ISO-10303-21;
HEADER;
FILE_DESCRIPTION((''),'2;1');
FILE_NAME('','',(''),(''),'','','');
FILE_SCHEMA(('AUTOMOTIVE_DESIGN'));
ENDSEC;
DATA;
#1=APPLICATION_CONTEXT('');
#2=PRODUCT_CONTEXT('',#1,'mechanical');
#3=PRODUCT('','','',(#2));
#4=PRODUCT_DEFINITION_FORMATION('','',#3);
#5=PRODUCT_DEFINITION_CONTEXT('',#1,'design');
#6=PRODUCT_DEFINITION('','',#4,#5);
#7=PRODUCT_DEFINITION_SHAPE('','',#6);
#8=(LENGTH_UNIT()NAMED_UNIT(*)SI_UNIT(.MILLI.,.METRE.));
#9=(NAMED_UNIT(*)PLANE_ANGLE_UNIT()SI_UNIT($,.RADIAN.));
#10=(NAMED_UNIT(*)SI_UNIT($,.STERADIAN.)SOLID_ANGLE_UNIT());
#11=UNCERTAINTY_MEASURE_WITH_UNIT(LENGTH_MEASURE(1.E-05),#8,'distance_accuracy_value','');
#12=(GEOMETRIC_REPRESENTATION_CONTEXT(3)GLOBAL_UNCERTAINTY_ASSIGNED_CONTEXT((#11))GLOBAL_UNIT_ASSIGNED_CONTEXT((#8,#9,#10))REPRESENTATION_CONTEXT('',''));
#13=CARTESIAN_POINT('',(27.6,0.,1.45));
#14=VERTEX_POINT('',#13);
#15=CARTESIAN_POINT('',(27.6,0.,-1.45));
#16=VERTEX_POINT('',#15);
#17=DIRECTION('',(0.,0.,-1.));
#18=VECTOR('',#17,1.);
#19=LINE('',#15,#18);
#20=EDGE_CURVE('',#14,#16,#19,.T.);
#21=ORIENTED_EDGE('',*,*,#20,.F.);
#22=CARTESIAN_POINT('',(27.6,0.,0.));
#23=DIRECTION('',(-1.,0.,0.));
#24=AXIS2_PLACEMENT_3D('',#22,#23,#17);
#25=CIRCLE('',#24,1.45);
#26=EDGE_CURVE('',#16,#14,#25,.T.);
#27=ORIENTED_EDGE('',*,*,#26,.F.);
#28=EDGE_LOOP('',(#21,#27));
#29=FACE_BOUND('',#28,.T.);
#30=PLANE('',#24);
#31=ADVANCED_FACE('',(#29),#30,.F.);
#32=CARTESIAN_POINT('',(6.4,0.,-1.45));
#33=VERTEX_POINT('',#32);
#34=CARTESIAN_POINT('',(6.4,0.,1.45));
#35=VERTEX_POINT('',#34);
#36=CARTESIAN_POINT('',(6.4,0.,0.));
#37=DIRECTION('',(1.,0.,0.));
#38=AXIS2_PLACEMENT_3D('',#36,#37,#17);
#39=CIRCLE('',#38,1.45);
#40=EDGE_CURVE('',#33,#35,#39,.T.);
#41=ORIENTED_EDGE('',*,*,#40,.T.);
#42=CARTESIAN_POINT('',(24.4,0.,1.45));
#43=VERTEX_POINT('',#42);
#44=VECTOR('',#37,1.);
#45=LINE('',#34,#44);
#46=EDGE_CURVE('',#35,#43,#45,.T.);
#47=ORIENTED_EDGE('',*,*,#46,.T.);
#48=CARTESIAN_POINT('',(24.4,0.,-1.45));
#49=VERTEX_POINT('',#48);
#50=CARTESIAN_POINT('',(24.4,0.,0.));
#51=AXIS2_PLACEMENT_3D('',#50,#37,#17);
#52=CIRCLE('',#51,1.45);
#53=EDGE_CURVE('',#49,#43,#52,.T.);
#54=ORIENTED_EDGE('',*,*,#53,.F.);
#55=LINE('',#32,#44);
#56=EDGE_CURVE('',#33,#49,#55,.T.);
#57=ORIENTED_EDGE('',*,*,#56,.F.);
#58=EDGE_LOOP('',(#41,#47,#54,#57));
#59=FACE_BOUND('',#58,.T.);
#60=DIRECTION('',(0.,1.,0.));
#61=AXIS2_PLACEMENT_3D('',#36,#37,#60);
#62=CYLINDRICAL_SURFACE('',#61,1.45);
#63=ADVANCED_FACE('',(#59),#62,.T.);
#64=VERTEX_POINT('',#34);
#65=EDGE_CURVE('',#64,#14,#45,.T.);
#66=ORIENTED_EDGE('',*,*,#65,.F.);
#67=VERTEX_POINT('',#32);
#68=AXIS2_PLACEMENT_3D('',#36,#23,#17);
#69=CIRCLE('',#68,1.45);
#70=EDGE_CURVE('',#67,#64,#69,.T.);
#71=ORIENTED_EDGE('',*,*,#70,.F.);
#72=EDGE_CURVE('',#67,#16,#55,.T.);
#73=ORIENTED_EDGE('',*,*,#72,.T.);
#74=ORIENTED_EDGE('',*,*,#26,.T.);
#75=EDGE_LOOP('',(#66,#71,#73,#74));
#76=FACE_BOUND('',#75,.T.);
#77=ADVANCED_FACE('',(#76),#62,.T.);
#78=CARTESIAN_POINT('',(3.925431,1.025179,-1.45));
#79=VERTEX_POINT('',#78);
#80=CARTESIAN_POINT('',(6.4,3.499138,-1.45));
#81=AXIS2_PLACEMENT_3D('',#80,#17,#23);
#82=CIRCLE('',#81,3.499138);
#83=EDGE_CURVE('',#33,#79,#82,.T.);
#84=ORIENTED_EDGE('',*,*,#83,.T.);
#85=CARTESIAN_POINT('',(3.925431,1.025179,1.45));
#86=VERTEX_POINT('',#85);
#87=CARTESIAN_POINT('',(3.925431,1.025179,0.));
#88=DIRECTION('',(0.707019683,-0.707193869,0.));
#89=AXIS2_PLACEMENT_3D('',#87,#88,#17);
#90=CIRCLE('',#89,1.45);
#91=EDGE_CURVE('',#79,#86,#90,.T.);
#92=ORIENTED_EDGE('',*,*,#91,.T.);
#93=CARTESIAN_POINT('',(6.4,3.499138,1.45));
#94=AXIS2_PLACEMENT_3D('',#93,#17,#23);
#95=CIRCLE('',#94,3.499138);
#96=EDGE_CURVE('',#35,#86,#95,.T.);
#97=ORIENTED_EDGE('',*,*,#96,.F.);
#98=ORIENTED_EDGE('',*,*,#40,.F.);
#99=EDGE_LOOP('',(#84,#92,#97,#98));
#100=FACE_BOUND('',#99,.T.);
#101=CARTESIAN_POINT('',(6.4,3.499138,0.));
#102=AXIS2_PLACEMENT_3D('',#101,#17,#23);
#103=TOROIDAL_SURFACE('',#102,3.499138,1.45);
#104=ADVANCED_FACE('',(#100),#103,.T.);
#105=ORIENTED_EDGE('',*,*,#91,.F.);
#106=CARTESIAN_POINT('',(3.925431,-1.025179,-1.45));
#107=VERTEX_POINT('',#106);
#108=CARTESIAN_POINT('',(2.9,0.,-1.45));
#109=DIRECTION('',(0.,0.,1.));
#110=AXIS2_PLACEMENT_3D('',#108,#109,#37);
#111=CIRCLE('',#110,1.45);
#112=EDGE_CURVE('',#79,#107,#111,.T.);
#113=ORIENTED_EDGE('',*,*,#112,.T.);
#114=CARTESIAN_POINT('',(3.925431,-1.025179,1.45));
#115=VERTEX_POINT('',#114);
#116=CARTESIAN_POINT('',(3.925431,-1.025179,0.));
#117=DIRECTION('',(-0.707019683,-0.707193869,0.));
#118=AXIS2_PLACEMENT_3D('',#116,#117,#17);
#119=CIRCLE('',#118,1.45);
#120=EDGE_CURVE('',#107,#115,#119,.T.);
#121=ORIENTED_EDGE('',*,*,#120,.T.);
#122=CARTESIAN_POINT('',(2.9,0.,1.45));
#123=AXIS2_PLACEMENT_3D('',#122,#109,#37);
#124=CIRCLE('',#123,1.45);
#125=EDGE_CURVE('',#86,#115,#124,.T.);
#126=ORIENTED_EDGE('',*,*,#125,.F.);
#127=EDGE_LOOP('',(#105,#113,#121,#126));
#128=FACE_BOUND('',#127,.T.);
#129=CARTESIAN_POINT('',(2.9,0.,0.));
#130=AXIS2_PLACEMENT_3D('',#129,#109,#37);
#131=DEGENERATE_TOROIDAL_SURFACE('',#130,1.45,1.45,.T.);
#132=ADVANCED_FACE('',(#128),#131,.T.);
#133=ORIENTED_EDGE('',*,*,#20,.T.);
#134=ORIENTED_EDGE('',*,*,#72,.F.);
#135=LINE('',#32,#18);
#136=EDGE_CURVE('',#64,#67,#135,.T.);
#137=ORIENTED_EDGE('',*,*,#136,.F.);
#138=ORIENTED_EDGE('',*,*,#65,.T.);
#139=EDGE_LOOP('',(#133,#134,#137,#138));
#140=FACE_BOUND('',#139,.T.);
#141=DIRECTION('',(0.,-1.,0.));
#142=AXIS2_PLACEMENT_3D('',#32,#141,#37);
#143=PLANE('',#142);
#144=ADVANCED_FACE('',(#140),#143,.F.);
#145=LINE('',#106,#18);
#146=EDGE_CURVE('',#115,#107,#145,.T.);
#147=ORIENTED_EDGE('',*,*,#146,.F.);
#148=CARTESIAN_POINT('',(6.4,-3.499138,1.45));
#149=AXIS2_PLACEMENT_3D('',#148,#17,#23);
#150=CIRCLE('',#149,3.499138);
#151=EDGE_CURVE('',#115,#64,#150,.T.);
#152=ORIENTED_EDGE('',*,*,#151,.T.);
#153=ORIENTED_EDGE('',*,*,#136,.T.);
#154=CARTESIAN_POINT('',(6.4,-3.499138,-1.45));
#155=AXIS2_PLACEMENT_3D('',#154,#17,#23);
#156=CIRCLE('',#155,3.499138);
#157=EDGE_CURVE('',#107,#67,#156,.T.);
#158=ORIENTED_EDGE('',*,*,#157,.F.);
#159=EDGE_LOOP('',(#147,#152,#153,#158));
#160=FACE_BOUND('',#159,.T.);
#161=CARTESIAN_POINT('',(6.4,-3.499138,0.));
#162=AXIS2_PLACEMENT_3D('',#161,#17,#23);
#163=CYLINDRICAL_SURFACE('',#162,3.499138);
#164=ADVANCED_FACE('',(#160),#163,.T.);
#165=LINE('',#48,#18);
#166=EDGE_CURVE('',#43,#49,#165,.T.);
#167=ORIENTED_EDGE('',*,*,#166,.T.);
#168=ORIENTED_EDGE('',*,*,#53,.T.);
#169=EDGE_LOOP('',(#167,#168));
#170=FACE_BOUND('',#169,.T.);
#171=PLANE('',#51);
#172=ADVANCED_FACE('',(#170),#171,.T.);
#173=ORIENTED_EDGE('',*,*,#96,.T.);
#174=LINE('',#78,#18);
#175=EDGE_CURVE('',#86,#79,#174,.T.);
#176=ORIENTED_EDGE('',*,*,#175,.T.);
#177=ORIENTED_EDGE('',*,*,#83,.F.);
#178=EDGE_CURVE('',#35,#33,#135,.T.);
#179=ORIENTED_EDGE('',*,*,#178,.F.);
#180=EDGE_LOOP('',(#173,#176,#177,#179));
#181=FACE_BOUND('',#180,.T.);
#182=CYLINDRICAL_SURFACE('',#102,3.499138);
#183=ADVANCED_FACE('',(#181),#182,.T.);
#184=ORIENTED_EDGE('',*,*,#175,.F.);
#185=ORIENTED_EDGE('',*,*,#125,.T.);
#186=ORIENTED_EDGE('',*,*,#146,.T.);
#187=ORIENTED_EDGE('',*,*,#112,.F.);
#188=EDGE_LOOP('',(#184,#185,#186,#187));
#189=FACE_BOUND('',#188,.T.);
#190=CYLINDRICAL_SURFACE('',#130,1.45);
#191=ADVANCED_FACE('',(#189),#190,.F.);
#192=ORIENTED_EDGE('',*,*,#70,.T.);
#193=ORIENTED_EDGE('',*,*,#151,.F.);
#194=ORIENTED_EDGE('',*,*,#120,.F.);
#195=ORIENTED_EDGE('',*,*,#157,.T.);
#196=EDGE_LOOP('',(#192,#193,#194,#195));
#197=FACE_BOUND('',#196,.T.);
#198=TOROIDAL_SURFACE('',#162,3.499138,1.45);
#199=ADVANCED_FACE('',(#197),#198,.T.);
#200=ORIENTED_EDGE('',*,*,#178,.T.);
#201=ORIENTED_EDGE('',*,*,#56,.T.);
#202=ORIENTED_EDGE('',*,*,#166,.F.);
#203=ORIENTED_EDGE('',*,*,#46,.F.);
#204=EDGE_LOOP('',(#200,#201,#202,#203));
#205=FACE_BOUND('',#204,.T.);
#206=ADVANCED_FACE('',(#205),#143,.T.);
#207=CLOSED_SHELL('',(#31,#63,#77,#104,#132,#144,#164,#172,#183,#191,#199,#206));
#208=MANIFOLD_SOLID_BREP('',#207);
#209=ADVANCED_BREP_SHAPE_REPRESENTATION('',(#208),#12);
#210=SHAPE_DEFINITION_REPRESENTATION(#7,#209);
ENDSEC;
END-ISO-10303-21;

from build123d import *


with BuildPart() as part:
    # Body: sweep along a path in PathSke
    with BuildLine(Plane(origin=(1.207969362, 1.807969362, 0), x_dir=(0, 1, 0), z_dir=(0, 0, 1))) as body_path:
        Line((-0.357969362, -23.192030638), (-0.357969362, -5.192030638))
        ThreePointArc((-0.357969362, -5.192030638), (-0.201939729, -4.407742914), (0.242387718, -3.742892857))
        ThreePointArc((0.242387718, -3.742892857), (-1.807969362, 1.207969362), (-3.858326443, -3.742892857))
        ThreePointArc((-3.858326443, -3.742892857), (-3.413998995, -4.407742914), (-3.257969362, -5.192030638))
        Line((-3.257969362, -5.192030638), (-3.257969362, -26.392030638))
    # SectionSke → Body (sweep)
    with BuildSketch(Plane(origin=(24.4, 0.15, 0.15), x_dir=(0, 1, 0), z_dir=(1, 0, 0))):
        with BuildLine():
            Line((-0.15, -1.6), (-0.15, 1.3))
            ThreePointArc((-0.15, 1.3), (1.3, -0.15), (-0.15, -1.6))
        make_face()
    sweep(path=body_path.line)


solid = part.part
